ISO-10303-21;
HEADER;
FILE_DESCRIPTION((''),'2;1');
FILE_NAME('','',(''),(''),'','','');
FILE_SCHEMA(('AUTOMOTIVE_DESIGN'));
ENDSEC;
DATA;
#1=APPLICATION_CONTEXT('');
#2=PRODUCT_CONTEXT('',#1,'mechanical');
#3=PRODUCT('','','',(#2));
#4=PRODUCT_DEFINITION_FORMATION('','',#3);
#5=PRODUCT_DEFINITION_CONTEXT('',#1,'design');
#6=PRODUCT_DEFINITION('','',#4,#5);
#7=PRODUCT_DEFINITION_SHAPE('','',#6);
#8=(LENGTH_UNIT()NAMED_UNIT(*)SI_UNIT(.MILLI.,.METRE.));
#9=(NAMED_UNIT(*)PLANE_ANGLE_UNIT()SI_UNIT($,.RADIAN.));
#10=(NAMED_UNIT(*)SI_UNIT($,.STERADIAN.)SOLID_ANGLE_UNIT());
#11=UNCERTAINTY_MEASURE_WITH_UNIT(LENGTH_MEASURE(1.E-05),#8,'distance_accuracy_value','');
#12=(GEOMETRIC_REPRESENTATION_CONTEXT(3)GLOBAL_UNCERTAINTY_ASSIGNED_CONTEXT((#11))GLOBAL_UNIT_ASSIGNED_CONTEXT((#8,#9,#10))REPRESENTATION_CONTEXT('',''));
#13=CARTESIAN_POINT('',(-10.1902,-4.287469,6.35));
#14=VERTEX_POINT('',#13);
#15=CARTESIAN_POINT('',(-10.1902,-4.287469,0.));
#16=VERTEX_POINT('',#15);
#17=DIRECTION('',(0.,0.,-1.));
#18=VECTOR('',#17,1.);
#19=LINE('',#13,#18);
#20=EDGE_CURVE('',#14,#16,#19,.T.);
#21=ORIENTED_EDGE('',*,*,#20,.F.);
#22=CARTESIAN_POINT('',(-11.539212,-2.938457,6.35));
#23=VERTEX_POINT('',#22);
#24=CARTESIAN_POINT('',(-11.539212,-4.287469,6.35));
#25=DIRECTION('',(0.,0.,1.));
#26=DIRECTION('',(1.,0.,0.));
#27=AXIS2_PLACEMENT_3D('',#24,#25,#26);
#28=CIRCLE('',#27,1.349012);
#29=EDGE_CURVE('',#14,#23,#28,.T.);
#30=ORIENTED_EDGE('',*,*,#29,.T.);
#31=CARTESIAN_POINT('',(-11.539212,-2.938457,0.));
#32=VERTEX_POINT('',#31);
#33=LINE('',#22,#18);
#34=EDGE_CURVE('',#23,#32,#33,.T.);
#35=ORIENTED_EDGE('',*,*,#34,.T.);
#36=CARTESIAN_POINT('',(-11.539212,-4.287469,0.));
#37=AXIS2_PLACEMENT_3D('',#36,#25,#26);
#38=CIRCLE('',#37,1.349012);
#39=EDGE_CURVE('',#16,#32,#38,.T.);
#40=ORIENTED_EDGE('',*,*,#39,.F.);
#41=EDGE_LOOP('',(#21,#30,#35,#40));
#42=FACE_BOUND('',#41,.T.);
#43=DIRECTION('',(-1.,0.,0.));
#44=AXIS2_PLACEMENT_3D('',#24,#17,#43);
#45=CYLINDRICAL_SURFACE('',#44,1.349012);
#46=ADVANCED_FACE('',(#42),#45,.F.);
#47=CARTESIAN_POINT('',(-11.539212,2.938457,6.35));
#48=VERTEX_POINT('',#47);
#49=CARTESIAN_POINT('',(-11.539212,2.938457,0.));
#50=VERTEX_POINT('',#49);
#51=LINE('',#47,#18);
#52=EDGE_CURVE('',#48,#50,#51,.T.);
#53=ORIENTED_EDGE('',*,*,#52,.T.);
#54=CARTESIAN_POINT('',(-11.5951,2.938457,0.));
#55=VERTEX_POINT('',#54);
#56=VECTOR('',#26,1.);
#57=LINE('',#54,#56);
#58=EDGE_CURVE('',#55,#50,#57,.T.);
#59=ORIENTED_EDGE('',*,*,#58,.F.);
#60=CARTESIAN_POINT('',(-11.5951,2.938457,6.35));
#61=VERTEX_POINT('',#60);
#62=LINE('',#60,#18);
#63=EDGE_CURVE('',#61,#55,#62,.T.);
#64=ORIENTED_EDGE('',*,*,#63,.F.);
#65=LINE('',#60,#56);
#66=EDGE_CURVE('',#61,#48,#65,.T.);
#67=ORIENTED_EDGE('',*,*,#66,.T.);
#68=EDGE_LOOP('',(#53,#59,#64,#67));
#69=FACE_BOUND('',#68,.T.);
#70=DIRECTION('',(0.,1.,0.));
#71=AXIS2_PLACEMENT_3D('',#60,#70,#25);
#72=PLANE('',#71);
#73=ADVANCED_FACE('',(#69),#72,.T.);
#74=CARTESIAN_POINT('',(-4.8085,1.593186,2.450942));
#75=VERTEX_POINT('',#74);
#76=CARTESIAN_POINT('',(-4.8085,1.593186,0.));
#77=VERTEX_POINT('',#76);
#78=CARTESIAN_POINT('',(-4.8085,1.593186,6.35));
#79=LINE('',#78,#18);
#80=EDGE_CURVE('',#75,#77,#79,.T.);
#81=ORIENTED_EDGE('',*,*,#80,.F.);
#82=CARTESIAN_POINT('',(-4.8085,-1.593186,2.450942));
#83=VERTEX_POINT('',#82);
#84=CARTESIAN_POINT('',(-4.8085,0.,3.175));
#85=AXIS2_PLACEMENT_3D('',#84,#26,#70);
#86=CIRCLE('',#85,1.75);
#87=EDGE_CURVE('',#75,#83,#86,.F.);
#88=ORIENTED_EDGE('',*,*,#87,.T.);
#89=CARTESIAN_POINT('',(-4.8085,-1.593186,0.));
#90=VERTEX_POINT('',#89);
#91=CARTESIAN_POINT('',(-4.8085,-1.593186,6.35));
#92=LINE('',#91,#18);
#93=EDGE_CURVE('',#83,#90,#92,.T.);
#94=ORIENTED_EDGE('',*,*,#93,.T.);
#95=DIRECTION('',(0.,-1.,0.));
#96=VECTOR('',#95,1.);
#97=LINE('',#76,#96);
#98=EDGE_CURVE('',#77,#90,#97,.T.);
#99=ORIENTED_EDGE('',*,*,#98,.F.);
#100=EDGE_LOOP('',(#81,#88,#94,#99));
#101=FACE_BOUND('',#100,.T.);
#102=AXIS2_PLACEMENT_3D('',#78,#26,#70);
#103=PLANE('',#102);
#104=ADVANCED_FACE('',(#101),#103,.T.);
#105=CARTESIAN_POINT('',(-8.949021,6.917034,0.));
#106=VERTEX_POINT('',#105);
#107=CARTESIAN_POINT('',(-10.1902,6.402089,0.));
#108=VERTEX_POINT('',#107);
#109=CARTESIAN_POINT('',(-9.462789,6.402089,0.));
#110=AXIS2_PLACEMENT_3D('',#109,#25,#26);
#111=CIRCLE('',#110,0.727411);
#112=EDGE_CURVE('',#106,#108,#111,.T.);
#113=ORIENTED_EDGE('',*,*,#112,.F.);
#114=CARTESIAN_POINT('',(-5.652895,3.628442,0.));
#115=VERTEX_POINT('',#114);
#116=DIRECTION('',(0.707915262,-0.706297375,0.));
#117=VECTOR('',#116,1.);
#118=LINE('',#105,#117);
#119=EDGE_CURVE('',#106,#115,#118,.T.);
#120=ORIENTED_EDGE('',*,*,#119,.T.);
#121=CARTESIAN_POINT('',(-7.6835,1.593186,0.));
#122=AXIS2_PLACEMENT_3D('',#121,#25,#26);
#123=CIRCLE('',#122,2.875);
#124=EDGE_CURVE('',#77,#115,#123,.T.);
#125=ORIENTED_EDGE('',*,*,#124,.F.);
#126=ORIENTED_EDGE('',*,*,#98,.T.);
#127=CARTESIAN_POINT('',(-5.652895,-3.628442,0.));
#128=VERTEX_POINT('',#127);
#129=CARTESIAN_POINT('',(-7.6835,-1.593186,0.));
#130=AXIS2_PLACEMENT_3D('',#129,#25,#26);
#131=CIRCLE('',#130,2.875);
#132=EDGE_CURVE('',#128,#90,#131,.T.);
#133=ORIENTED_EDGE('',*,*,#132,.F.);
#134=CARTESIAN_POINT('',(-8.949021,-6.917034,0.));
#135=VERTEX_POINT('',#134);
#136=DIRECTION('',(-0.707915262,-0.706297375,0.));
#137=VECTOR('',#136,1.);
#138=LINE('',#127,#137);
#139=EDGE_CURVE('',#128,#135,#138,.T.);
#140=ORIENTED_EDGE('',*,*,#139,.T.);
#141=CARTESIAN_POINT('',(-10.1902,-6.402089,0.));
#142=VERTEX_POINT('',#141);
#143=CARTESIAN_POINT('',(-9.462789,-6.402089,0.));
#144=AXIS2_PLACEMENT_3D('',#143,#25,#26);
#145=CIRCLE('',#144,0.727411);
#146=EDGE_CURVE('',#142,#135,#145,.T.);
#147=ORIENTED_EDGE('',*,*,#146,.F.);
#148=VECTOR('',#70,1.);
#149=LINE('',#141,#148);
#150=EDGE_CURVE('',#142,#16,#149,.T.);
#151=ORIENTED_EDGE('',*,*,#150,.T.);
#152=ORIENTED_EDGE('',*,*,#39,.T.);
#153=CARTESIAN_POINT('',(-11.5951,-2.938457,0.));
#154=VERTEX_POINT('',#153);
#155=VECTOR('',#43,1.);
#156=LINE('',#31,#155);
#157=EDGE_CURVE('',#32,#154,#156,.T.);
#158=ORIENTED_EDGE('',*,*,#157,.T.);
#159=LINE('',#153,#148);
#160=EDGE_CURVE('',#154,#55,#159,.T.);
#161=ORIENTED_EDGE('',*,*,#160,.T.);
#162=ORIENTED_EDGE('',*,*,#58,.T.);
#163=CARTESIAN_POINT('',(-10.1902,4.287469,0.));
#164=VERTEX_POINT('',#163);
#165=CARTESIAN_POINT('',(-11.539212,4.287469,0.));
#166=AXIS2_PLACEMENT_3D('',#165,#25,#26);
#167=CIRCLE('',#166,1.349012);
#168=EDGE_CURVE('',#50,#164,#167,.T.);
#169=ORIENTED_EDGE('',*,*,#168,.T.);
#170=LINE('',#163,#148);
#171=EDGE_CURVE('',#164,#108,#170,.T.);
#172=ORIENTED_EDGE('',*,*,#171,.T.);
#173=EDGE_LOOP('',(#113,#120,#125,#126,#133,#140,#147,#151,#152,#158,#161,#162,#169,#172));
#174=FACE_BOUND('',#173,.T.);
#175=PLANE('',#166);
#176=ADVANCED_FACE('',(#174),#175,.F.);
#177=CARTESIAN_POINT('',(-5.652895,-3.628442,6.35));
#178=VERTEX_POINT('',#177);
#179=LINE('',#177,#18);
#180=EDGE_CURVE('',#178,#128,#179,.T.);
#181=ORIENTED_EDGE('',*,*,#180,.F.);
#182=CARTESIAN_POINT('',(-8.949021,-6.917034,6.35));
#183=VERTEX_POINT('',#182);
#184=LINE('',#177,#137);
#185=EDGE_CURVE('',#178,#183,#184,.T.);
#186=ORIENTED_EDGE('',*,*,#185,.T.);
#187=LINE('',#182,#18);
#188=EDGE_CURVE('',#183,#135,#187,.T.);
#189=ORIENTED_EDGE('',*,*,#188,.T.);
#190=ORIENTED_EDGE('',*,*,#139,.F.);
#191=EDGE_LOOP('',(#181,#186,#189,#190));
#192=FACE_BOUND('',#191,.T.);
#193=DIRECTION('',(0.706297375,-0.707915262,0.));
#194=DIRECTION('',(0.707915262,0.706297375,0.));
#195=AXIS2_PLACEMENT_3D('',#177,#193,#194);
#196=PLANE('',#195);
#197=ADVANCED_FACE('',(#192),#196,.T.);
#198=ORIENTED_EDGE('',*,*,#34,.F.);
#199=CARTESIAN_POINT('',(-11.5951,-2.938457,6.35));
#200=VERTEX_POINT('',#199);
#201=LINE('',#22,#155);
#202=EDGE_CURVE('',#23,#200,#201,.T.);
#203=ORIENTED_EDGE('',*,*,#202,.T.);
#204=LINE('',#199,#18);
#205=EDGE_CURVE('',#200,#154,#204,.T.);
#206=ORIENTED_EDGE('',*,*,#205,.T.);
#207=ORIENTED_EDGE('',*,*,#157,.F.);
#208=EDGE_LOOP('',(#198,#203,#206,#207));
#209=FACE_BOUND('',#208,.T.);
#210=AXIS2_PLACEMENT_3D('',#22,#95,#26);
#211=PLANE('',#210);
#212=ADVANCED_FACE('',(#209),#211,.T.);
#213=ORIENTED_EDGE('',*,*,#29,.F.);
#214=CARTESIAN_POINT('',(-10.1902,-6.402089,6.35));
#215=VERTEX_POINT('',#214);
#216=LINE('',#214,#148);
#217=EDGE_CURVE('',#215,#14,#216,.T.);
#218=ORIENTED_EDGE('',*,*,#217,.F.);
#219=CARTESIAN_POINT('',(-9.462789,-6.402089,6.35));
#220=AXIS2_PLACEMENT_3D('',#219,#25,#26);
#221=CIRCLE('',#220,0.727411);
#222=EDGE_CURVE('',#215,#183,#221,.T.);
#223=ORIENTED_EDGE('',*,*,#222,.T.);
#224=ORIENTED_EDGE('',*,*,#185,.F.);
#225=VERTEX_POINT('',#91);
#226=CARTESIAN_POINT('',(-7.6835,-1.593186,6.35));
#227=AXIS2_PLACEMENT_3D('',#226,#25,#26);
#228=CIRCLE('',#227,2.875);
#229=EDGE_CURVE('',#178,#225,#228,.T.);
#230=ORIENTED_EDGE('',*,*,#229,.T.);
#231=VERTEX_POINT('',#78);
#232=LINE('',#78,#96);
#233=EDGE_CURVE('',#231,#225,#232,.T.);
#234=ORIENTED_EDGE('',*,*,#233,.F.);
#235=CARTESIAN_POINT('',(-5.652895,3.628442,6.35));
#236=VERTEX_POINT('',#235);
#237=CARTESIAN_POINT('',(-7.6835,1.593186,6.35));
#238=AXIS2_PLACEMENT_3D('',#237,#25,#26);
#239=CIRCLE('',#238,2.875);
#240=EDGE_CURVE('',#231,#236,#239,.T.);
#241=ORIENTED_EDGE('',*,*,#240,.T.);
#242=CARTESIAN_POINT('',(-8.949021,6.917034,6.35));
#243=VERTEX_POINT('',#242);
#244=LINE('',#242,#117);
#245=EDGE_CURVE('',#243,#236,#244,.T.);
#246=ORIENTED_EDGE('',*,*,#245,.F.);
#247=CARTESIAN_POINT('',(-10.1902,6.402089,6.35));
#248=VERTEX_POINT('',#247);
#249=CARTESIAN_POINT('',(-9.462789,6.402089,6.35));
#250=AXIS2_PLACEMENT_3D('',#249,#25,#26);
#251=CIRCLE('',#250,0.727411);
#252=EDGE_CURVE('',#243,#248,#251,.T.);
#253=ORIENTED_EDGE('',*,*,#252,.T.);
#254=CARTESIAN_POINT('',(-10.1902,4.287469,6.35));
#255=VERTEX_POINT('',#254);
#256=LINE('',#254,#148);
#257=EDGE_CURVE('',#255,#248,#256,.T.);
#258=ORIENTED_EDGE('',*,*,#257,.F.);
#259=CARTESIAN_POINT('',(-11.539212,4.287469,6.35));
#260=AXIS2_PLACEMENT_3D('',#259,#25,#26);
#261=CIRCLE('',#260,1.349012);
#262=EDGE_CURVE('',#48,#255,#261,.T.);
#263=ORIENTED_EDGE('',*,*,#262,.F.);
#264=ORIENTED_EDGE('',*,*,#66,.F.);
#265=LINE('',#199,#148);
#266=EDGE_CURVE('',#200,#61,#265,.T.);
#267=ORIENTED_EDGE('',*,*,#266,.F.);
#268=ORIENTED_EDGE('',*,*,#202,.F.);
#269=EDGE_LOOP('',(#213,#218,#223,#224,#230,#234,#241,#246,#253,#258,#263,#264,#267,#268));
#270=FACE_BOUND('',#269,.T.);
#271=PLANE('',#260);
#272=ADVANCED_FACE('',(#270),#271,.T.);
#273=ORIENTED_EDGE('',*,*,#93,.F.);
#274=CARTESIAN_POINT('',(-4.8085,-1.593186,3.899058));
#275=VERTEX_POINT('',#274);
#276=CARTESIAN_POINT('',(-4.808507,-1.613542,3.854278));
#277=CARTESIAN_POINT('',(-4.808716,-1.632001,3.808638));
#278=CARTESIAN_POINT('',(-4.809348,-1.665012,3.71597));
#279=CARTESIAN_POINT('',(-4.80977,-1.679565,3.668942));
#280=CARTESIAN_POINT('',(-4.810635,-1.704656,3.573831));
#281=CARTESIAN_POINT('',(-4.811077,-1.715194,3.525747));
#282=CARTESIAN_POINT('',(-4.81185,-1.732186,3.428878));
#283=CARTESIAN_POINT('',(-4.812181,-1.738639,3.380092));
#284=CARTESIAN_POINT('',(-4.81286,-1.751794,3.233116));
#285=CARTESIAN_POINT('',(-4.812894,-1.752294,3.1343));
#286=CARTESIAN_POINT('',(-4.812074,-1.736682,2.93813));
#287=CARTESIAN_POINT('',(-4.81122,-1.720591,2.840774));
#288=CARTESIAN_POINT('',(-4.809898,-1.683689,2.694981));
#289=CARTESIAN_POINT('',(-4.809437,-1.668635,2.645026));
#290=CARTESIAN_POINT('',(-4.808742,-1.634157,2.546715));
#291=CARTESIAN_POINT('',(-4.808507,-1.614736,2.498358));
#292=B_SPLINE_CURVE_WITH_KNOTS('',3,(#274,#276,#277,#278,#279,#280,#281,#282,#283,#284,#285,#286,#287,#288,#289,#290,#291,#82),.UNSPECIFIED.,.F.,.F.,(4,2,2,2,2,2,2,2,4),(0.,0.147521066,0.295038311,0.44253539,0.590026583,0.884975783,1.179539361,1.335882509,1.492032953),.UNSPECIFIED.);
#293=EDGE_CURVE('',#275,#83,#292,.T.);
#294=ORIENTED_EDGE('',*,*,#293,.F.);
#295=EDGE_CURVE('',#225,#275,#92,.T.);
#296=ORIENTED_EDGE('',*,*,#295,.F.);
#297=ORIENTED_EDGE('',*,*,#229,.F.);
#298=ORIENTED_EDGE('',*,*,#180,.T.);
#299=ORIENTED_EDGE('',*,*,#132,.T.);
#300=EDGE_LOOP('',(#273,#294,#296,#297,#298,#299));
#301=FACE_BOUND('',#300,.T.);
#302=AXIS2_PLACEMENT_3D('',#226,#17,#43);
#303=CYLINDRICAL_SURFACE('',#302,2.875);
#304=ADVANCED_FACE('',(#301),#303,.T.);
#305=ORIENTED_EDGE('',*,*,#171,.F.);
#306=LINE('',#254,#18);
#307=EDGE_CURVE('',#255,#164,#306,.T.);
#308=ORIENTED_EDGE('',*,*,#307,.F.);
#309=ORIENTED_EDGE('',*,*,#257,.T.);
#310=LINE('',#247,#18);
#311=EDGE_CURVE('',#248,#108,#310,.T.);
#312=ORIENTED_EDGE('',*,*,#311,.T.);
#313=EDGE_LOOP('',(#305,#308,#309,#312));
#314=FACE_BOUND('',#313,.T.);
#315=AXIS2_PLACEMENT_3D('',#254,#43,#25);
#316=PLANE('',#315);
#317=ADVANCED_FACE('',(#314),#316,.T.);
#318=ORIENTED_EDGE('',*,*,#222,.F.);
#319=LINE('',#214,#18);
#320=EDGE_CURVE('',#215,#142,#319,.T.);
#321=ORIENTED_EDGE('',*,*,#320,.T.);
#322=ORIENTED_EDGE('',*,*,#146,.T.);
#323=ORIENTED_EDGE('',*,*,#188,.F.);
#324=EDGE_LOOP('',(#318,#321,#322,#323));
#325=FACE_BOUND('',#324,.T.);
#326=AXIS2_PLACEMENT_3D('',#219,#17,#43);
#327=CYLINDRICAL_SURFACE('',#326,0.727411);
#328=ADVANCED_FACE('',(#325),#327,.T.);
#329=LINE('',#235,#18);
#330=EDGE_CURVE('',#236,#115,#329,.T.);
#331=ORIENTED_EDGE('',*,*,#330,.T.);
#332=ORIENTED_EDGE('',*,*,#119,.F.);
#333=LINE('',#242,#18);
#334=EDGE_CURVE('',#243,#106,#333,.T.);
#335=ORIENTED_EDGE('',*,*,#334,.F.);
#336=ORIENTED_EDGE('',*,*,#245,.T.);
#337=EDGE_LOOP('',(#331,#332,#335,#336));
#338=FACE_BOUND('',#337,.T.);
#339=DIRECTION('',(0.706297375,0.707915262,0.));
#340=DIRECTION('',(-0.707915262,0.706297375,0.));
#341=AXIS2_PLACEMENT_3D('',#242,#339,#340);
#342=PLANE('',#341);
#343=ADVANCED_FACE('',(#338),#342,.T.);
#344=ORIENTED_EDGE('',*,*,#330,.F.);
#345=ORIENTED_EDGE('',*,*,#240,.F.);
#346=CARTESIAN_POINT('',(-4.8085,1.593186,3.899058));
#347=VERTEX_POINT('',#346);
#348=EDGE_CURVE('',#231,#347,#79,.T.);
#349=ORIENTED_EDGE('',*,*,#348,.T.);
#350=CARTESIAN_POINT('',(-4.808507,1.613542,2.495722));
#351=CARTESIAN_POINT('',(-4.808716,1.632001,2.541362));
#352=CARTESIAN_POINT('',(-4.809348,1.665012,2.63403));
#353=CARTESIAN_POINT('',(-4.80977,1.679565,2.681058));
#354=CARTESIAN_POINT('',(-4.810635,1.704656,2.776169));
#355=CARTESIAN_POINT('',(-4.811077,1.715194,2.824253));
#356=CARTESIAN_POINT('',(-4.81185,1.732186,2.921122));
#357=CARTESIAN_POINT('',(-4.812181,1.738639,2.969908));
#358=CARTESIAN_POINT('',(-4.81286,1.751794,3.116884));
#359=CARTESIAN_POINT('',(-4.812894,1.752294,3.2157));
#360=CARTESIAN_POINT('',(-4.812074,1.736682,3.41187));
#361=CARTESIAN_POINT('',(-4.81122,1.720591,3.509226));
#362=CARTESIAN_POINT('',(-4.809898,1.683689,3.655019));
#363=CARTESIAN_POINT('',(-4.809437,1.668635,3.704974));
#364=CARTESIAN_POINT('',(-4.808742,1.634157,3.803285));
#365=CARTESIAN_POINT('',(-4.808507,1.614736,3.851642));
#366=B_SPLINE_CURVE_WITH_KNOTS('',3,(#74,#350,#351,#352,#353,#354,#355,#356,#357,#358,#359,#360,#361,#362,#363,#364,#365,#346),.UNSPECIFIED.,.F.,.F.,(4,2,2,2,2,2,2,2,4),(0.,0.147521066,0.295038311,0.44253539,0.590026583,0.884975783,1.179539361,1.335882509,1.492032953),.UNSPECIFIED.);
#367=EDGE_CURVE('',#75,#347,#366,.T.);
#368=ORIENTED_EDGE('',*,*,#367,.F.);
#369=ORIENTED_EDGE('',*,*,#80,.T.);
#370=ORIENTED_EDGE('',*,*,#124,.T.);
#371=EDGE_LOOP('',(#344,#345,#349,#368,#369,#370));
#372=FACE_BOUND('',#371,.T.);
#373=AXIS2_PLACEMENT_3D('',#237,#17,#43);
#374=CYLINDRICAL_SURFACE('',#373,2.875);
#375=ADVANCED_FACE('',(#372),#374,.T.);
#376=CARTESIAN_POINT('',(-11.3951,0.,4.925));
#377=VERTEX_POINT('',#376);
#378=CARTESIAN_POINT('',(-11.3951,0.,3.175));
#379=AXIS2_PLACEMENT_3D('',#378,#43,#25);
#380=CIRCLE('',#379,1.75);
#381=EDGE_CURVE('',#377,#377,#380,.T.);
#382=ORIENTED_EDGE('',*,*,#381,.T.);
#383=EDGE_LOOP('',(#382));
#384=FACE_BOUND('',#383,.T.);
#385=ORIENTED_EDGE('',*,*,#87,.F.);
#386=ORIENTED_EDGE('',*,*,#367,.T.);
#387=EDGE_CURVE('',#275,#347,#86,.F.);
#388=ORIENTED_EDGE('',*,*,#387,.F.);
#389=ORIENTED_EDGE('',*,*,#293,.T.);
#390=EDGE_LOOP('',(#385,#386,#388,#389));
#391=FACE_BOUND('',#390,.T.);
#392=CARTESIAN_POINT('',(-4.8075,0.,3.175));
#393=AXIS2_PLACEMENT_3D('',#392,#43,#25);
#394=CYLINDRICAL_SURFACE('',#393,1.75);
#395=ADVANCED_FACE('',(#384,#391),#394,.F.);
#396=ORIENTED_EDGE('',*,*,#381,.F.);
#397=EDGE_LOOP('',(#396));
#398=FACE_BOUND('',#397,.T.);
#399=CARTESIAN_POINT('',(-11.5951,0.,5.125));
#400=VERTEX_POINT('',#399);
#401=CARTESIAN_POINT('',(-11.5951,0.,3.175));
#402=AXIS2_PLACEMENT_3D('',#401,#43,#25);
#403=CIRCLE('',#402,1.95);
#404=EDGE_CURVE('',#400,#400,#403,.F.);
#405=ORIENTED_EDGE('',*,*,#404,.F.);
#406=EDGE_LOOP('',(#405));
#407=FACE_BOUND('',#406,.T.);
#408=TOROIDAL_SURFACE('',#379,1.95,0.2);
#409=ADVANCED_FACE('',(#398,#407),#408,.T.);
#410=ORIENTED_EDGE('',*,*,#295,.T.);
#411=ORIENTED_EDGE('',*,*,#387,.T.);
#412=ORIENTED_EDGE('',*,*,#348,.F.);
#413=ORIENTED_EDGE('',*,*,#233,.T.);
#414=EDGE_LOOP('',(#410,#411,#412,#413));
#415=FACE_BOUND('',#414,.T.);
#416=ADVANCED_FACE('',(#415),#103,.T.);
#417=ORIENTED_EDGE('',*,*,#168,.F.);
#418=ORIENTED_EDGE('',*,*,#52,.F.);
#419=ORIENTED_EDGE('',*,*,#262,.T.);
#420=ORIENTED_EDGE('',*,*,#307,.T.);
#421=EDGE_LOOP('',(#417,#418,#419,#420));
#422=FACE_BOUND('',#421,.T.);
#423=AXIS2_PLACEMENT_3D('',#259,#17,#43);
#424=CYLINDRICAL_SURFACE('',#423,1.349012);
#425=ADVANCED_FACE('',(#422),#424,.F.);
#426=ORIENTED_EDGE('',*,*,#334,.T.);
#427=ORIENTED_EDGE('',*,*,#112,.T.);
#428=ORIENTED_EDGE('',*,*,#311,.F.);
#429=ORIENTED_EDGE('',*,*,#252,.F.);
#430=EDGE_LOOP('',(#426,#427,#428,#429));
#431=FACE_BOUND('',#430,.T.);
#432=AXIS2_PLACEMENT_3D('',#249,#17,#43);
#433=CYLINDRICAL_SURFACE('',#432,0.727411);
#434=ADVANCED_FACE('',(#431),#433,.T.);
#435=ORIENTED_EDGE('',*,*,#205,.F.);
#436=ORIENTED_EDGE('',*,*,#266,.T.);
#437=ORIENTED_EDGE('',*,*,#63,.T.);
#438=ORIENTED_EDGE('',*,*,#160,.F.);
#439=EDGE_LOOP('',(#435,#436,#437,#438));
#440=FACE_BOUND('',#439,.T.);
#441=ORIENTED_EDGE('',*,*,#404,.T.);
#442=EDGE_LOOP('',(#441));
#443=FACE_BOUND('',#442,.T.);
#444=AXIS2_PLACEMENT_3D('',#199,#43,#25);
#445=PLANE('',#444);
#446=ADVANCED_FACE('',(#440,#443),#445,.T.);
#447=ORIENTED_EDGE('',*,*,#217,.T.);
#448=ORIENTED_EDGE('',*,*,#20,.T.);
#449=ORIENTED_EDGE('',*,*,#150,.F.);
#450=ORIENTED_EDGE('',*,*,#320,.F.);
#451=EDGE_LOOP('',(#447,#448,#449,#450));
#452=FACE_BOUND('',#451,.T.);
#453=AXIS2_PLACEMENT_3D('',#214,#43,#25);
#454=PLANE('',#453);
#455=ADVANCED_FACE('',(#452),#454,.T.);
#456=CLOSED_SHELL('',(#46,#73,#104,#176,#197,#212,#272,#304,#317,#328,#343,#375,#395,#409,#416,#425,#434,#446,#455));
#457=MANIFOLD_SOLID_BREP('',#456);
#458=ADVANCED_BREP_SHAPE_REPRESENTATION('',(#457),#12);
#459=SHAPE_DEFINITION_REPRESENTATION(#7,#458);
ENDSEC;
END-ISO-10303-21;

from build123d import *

# Parameters (mm, degrees)
BOSS_EXTRUDE1_DEPTH = 6.35
CUT_EXTRUDE1_REACH  = 13.714
SKETCH2_R           = 1.75
FILLET1_R           = 0.2


with BuildPart() as part:
    # Sketch1 → Boss-Extrude1 (new body)
    with BuildSketch(Plane.XY):
        with BuildLine():
            Line((-11.5951, -2.938456882), (-11.5951, 2.938456882))
            Line((-11.5951, 2.938456882), (-11.539212407, 2.938456882))
            ThreePointArc((-11.539212407, 2.938456882), (-10.585316586, 3.333573468), (-10.1902, 4.287469289))
            Line((-10.1902, 4.287469289), (-10.1902, 6.402089023))
            ThreePointArc((-10.1902, 6.402089023), (-9.74154152, 7.073969797), (-8.94902056, 6.917034355))
            Line((-8.94902056, 6.917034355), (-5.652895046, 3.628441884))
            ThreePointArc((-5.652895046, 3.628441884), (-5.027976112, 2.694919539), (-4.8085, 1.593185507))
            Line((-4.8085, 1.593185507), (-4.8085, -1.593185507))
            ThreePointArc((-4.8085, -1.593185507), (-5.027976112, -2.694919539), (-5.652895046, -3.628441884))
            Line((-5.652895046, -3.628441884), (-8.94902056, -6.917034355))
            ThreePointArc((-8.94902056, -6.917034355), (-9.74154152, -7.073969797), (-10.1902, -6.402089023))
            Line((-10.1902, -6.402089023), (-10.1902, -4.287469289))
            ThreePointArc((-10.1902, -4.287469289), (-10.585316586, -3.333573468), (-11.539212407, -2.938456882))
            Line((-11.539212407, -2.938456882), (-11.5951, -2.938456882))
        make_face()
    extrude(amount=BOSS_EXTRUDE1_DEPTH)

    # Sketch2 → Cut-Extrude1 (cut, up to next)
    with BuildSketch(Plane.ZY.offset(11.5951), mode=Mode.PRIVATE) as cut_extrude1_sk1:
        with Locations((3.175, 0)):
            Circle(SKETCH2_R)
    cut_extrude1_tool1 = extrude(cut_extrude1_sk1.sketch, amount=-CUT_EXTRUDE1_REACH, mode=Mode.PRIVATE) & part.part
    add(cut_extrude1_tool1.solids().sort_by_distance((-11.5951, 0, 3.175))[0], mode=Mode.SUBTRACT)

    # Fillet1
    fillet1_edges = [part.edges().sort_by_distance(p)[0] for p in [
        (-11.5951, 0, 1.425),
    ]]
    fillet(fillet1_edges, radius=FILLET1_R)


solid = part.part
